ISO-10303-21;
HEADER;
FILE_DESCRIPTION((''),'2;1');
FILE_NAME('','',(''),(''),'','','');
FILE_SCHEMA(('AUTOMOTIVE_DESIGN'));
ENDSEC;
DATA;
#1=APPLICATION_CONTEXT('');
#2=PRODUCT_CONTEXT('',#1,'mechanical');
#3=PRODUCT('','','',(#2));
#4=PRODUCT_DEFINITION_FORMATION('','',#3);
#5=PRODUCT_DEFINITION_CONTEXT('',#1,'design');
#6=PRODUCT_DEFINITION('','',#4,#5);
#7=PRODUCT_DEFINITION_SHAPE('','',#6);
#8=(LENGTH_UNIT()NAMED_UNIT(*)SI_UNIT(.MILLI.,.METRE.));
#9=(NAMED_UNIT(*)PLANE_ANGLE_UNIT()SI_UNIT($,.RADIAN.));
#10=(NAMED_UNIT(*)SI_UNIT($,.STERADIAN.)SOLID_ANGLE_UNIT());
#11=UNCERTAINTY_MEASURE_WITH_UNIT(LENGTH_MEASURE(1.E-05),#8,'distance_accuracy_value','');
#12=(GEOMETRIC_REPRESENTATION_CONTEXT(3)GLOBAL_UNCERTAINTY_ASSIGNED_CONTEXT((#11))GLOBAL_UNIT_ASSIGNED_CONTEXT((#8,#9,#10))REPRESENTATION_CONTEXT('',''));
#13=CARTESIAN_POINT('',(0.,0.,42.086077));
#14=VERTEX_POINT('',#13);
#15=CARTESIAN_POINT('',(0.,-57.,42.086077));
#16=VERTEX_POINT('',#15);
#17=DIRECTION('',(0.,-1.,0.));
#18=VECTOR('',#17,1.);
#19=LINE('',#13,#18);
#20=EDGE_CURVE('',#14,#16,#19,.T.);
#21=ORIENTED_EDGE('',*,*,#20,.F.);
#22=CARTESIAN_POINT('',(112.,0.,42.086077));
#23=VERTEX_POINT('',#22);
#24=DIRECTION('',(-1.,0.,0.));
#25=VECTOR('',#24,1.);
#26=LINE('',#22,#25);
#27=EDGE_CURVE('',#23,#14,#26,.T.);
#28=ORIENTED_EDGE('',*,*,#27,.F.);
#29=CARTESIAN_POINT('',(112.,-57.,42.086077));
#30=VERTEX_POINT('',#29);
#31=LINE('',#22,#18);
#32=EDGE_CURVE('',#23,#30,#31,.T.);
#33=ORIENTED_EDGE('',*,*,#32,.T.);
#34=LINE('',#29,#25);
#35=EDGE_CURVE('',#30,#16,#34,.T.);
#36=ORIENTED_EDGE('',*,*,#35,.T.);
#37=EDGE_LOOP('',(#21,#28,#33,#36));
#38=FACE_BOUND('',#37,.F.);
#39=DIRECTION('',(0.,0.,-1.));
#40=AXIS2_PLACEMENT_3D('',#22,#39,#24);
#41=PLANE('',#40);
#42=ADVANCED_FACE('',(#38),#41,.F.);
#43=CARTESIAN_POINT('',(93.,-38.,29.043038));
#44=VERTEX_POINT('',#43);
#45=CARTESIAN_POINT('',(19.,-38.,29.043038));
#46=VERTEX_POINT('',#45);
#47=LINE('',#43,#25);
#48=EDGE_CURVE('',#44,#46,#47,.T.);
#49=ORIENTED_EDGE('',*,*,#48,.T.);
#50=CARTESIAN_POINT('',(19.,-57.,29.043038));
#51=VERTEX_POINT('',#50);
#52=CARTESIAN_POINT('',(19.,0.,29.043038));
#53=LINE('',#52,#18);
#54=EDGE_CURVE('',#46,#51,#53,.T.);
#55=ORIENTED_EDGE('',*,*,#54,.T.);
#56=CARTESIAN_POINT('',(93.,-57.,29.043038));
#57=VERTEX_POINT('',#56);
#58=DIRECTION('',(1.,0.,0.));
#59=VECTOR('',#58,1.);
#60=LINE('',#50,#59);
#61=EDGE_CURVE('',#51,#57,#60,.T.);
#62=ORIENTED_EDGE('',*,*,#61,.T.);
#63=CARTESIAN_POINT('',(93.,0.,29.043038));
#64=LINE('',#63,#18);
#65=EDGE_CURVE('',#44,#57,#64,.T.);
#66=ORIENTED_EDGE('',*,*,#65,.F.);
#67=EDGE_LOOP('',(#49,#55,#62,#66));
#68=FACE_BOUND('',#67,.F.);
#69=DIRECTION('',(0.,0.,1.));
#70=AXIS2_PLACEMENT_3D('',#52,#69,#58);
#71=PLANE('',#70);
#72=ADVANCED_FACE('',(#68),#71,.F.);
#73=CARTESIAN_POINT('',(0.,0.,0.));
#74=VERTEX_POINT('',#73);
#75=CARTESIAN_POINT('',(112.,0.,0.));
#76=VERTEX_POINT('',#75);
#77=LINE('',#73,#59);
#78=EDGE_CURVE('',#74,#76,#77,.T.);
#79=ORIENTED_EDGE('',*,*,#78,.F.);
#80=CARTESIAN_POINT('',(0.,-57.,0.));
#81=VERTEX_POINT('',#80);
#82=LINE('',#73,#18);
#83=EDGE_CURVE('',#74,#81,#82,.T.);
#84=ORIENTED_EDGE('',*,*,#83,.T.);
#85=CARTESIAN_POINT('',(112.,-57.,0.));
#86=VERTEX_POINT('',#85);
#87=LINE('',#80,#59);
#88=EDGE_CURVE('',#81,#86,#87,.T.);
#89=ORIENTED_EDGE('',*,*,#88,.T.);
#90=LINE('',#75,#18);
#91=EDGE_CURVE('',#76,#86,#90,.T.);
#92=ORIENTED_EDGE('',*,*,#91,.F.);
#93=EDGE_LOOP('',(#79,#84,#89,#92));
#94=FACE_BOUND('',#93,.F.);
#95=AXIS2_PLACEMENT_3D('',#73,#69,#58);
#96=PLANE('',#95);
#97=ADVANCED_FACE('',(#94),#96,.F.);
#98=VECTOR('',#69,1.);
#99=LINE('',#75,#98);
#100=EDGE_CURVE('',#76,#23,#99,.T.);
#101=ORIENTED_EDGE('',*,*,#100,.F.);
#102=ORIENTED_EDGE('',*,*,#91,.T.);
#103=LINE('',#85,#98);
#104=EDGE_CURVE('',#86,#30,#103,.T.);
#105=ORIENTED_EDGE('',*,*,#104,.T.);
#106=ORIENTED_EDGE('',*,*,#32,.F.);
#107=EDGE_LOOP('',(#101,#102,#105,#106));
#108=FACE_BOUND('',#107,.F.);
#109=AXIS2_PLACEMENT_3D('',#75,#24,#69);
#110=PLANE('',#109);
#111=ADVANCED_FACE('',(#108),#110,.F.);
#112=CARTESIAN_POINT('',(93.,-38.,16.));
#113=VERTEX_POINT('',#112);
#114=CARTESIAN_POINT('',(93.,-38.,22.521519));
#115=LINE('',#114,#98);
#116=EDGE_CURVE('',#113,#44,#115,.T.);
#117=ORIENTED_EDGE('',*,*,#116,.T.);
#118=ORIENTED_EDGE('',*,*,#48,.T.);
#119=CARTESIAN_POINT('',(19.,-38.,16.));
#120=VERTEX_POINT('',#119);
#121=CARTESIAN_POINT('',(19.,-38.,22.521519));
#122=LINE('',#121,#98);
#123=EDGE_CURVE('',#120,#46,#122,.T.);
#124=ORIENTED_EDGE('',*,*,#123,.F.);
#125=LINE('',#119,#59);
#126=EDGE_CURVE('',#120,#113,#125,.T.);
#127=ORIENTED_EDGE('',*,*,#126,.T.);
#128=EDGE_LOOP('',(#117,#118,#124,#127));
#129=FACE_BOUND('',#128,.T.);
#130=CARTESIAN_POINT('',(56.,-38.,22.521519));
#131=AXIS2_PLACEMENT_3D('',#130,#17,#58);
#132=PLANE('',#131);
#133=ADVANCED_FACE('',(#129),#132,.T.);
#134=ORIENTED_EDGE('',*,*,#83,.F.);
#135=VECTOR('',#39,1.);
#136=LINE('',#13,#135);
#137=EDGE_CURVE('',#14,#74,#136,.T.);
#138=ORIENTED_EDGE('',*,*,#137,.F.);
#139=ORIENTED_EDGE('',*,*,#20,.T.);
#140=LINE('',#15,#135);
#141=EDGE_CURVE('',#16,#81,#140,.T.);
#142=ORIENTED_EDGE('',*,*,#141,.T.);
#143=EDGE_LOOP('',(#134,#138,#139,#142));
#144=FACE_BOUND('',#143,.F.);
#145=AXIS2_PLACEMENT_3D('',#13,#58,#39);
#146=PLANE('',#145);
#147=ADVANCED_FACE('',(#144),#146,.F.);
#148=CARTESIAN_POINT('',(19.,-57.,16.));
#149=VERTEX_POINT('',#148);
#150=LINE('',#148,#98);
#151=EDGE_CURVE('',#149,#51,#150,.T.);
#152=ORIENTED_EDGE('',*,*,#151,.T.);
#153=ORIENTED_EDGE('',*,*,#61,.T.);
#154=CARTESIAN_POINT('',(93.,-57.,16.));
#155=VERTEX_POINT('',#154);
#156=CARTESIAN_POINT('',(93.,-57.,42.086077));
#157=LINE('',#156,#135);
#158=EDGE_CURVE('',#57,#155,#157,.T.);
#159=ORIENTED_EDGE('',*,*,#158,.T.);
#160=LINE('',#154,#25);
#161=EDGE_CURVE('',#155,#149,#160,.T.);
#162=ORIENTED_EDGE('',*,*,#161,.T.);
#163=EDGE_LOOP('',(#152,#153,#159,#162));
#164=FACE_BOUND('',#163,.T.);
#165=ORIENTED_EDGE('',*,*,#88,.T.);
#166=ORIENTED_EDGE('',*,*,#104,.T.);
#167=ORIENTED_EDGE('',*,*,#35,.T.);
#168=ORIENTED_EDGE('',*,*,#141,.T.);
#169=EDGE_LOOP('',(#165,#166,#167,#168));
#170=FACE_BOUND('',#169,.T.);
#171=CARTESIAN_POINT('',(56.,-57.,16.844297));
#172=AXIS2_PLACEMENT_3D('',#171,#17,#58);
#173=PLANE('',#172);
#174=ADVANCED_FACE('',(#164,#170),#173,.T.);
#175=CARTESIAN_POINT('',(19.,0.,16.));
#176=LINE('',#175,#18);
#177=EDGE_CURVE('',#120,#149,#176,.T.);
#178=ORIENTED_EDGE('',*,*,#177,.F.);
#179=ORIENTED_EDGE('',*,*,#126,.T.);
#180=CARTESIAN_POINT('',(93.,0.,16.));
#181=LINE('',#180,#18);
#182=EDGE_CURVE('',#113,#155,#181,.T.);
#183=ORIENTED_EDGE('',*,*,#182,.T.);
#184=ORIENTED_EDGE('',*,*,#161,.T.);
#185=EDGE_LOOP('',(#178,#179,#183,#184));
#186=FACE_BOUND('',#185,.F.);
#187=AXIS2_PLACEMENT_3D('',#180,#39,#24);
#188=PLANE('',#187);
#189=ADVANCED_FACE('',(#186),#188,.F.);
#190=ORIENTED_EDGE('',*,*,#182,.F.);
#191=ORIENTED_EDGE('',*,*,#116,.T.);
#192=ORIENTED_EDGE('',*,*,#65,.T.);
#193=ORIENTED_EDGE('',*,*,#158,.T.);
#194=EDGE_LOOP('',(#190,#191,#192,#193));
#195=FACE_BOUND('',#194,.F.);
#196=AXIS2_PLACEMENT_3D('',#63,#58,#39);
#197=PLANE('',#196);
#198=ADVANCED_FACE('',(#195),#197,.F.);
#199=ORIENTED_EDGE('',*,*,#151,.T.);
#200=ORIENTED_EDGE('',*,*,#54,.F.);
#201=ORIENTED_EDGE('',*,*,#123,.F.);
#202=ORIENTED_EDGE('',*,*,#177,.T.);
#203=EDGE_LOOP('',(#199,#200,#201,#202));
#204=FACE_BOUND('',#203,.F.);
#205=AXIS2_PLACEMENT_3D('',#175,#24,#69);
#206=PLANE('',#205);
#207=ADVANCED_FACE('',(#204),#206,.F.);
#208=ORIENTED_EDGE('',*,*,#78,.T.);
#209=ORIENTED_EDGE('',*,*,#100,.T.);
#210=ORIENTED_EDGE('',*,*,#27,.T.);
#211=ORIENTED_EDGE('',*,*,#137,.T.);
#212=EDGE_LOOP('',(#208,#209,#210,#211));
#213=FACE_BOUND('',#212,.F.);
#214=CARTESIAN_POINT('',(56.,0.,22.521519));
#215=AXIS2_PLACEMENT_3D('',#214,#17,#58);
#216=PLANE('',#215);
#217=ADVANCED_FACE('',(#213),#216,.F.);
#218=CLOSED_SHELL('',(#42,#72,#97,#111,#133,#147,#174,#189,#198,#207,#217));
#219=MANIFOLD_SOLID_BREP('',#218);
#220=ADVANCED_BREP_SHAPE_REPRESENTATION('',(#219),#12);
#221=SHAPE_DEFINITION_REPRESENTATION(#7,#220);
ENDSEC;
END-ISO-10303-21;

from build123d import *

# Parameters (mm, degrees)
F1_DEPTH = 57
F0_W     = 36
F0_H     = 13.043038
F0_W_2   = 19
F2_DEPTH = 38


with BuildPart() as f1:
    # F0 (on Front) → F1 (new body)
    with BuildSketch(Plane.XZ):
        Polygon((0, 42.086077), (0, 0), (112, 0), (112, 42.086077), (93, 42.086077), (93, 29.043038), (93, 16), (74, 16), (38, 16), (19, 16), (19, 29.043038), (19, 42.086077), align=None)
        Polygon((93, 42.086077), (19, 42.086077), (19, 29.043038), (38, 29.043038), (74, 29.043038), (93, 29.043038), align=None)
    extrude(amount=F1_DEPTH)

    # F0 (on Front) → F2 (join)
    with BuildSketch(Plane.XZ):
        with Locations((56, 22.521519)):
            Rectangle(F0_W, F0_H)
        with Locations((28.5, 22.521519)):
            Rectangle(F0_W_2, F0_H)
        with Locations((83.5, 22.521519)):
            Rectangle(F0_W_2, F0_H)
    extrude(amount=F2_DEPTH)


solid = f1.part
